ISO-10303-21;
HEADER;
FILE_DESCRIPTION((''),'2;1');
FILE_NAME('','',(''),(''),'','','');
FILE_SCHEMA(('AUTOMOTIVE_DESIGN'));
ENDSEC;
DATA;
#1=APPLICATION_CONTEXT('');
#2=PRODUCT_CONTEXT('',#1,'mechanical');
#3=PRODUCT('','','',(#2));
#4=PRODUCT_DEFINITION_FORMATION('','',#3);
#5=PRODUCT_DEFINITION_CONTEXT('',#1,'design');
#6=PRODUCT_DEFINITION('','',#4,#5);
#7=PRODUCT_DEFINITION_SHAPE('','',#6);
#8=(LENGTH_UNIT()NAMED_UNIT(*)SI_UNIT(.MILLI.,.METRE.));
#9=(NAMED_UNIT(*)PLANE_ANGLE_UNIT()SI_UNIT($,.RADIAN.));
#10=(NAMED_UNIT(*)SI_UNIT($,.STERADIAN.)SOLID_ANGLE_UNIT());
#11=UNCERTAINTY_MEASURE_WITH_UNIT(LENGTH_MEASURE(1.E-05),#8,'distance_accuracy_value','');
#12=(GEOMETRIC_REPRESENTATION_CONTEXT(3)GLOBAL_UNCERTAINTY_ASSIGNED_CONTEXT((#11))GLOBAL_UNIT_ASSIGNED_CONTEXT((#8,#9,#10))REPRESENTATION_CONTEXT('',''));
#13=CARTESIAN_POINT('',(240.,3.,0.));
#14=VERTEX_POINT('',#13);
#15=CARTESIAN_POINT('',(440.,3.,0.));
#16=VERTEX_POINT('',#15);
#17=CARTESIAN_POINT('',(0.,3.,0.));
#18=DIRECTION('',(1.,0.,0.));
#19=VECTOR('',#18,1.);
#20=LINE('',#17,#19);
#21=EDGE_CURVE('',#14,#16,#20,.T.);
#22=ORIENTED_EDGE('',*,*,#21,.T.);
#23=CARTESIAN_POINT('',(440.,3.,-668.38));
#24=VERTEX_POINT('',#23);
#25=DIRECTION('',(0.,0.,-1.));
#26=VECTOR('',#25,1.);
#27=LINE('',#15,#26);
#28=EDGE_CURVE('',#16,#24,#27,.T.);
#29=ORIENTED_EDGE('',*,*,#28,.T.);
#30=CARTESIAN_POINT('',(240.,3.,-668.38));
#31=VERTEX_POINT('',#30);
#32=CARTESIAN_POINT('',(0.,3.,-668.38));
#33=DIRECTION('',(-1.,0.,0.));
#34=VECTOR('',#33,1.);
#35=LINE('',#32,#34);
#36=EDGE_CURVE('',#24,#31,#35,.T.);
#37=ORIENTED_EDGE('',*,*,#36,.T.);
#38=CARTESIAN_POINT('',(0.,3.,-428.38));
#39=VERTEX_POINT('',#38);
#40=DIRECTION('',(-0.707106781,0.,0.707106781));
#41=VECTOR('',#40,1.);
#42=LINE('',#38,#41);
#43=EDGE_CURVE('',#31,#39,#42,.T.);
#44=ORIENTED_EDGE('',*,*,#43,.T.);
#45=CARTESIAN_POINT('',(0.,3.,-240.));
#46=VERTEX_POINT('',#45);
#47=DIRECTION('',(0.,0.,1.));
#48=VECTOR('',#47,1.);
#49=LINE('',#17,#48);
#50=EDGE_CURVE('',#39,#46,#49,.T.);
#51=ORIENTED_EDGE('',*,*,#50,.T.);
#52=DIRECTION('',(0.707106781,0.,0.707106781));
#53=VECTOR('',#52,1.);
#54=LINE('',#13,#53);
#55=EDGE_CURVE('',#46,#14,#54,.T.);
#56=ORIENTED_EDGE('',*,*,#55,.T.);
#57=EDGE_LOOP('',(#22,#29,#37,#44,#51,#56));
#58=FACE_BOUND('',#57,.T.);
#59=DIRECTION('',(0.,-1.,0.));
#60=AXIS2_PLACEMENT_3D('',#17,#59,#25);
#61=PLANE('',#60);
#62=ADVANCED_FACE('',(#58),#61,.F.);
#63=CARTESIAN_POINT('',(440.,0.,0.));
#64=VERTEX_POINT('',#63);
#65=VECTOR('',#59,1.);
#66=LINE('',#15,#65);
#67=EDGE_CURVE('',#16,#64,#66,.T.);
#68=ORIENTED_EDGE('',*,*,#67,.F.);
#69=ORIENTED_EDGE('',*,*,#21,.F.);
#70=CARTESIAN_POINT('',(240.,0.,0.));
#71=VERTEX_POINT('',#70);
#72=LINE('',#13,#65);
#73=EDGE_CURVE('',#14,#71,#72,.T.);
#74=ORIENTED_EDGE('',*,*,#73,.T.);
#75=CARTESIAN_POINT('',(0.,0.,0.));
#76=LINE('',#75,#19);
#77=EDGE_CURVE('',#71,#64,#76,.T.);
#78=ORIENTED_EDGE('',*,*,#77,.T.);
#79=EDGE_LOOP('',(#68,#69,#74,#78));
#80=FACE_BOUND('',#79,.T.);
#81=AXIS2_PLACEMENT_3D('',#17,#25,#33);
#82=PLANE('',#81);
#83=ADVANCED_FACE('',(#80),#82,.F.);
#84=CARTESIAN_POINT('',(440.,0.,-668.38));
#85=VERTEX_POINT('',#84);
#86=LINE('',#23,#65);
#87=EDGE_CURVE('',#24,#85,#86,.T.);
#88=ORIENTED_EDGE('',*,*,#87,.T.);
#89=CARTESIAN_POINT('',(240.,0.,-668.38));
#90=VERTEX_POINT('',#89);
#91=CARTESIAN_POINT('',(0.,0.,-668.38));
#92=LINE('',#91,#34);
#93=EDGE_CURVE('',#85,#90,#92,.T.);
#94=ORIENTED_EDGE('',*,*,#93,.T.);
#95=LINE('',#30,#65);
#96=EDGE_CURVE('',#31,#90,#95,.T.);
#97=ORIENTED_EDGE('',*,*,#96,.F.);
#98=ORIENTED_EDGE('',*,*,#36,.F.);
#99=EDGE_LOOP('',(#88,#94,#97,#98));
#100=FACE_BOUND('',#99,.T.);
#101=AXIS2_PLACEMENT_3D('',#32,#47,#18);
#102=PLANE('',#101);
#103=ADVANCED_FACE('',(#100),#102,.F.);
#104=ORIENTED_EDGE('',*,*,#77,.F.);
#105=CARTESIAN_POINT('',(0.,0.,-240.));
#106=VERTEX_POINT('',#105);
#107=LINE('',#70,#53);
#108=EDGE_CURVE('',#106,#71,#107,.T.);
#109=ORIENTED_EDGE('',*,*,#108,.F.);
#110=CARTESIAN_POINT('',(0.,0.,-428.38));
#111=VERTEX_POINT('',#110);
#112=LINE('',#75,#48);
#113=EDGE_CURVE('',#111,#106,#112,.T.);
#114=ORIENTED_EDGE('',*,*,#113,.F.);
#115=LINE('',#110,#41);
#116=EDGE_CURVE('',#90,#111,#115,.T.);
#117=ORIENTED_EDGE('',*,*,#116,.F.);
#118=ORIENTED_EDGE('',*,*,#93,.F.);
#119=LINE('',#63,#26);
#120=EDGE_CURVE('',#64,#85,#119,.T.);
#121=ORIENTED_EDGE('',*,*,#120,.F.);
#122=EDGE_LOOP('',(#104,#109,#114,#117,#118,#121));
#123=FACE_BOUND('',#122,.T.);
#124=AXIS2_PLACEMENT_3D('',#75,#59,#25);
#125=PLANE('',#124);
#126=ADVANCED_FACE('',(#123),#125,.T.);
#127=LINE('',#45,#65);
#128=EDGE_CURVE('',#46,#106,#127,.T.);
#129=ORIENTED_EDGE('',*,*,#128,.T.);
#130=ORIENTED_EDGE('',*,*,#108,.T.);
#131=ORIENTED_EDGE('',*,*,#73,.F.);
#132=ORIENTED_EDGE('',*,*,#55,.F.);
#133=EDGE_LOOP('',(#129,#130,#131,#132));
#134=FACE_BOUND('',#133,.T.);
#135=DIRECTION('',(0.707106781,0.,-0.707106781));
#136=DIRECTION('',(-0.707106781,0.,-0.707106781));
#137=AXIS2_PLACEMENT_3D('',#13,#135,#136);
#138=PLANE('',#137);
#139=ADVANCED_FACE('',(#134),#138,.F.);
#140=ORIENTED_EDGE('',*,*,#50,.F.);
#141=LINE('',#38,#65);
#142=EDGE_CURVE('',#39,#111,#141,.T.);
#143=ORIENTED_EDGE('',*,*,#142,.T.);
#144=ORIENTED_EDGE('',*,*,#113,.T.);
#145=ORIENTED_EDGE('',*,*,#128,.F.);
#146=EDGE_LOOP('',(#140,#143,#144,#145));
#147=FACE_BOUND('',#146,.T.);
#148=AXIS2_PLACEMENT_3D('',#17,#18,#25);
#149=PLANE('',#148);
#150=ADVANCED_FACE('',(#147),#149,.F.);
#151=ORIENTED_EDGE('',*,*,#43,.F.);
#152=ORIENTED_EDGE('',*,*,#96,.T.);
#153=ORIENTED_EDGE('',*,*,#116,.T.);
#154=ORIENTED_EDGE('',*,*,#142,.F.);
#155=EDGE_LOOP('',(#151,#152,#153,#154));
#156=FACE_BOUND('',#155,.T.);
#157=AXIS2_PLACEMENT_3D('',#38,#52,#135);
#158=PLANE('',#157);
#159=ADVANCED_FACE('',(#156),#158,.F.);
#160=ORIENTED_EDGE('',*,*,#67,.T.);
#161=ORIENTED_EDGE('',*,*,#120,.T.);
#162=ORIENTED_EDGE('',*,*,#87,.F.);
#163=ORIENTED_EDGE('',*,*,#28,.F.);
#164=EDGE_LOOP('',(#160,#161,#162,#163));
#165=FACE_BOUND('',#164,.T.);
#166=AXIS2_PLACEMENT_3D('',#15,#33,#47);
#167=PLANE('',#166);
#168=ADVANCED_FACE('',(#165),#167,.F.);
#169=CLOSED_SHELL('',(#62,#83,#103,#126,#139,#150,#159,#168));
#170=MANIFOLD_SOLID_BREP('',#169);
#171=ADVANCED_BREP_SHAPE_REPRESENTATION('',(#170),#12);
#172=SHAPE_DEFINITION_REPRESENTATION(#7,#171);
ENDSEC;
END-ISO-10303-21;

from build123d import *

# Parameters (mm, degrees)
SKETCH1_W           = 440
SKETCH1_H           = 668.38
BOSS_EXTRUDE1_DEPTH = 3
CUT_EXTRUDE1_DEPTH  = 4


with BuildPart() as part:
    # Sketch1 → Boss-Extrude1 (new body)
    with BuildSketch(Plane(origin=(0, 0, 0), x_dir=(1, 0, 0), z_dir=(0, 1, 0))):
        with Locations((220, 334.19)):
            Rectangle(SKETCH1_W, SKETCH1_H)
    extrude(amount=BOSS_EXTRUDE1_DEPTH)

    # Sketch2 → Cut-Extrude1 (cut, through all)
    with BuildSketch(Plane.XZ):
        Polygon((240, 0), (0, -240), (0, 0), align=None)
        Polygon((0, -428.38), (240, -668.38), (0, -668.38), align=None)
    extrude(amount=-CUT_EXTRUDE1_DEPTH, mode=Mode.SUBTRACT)


solid = part.part
